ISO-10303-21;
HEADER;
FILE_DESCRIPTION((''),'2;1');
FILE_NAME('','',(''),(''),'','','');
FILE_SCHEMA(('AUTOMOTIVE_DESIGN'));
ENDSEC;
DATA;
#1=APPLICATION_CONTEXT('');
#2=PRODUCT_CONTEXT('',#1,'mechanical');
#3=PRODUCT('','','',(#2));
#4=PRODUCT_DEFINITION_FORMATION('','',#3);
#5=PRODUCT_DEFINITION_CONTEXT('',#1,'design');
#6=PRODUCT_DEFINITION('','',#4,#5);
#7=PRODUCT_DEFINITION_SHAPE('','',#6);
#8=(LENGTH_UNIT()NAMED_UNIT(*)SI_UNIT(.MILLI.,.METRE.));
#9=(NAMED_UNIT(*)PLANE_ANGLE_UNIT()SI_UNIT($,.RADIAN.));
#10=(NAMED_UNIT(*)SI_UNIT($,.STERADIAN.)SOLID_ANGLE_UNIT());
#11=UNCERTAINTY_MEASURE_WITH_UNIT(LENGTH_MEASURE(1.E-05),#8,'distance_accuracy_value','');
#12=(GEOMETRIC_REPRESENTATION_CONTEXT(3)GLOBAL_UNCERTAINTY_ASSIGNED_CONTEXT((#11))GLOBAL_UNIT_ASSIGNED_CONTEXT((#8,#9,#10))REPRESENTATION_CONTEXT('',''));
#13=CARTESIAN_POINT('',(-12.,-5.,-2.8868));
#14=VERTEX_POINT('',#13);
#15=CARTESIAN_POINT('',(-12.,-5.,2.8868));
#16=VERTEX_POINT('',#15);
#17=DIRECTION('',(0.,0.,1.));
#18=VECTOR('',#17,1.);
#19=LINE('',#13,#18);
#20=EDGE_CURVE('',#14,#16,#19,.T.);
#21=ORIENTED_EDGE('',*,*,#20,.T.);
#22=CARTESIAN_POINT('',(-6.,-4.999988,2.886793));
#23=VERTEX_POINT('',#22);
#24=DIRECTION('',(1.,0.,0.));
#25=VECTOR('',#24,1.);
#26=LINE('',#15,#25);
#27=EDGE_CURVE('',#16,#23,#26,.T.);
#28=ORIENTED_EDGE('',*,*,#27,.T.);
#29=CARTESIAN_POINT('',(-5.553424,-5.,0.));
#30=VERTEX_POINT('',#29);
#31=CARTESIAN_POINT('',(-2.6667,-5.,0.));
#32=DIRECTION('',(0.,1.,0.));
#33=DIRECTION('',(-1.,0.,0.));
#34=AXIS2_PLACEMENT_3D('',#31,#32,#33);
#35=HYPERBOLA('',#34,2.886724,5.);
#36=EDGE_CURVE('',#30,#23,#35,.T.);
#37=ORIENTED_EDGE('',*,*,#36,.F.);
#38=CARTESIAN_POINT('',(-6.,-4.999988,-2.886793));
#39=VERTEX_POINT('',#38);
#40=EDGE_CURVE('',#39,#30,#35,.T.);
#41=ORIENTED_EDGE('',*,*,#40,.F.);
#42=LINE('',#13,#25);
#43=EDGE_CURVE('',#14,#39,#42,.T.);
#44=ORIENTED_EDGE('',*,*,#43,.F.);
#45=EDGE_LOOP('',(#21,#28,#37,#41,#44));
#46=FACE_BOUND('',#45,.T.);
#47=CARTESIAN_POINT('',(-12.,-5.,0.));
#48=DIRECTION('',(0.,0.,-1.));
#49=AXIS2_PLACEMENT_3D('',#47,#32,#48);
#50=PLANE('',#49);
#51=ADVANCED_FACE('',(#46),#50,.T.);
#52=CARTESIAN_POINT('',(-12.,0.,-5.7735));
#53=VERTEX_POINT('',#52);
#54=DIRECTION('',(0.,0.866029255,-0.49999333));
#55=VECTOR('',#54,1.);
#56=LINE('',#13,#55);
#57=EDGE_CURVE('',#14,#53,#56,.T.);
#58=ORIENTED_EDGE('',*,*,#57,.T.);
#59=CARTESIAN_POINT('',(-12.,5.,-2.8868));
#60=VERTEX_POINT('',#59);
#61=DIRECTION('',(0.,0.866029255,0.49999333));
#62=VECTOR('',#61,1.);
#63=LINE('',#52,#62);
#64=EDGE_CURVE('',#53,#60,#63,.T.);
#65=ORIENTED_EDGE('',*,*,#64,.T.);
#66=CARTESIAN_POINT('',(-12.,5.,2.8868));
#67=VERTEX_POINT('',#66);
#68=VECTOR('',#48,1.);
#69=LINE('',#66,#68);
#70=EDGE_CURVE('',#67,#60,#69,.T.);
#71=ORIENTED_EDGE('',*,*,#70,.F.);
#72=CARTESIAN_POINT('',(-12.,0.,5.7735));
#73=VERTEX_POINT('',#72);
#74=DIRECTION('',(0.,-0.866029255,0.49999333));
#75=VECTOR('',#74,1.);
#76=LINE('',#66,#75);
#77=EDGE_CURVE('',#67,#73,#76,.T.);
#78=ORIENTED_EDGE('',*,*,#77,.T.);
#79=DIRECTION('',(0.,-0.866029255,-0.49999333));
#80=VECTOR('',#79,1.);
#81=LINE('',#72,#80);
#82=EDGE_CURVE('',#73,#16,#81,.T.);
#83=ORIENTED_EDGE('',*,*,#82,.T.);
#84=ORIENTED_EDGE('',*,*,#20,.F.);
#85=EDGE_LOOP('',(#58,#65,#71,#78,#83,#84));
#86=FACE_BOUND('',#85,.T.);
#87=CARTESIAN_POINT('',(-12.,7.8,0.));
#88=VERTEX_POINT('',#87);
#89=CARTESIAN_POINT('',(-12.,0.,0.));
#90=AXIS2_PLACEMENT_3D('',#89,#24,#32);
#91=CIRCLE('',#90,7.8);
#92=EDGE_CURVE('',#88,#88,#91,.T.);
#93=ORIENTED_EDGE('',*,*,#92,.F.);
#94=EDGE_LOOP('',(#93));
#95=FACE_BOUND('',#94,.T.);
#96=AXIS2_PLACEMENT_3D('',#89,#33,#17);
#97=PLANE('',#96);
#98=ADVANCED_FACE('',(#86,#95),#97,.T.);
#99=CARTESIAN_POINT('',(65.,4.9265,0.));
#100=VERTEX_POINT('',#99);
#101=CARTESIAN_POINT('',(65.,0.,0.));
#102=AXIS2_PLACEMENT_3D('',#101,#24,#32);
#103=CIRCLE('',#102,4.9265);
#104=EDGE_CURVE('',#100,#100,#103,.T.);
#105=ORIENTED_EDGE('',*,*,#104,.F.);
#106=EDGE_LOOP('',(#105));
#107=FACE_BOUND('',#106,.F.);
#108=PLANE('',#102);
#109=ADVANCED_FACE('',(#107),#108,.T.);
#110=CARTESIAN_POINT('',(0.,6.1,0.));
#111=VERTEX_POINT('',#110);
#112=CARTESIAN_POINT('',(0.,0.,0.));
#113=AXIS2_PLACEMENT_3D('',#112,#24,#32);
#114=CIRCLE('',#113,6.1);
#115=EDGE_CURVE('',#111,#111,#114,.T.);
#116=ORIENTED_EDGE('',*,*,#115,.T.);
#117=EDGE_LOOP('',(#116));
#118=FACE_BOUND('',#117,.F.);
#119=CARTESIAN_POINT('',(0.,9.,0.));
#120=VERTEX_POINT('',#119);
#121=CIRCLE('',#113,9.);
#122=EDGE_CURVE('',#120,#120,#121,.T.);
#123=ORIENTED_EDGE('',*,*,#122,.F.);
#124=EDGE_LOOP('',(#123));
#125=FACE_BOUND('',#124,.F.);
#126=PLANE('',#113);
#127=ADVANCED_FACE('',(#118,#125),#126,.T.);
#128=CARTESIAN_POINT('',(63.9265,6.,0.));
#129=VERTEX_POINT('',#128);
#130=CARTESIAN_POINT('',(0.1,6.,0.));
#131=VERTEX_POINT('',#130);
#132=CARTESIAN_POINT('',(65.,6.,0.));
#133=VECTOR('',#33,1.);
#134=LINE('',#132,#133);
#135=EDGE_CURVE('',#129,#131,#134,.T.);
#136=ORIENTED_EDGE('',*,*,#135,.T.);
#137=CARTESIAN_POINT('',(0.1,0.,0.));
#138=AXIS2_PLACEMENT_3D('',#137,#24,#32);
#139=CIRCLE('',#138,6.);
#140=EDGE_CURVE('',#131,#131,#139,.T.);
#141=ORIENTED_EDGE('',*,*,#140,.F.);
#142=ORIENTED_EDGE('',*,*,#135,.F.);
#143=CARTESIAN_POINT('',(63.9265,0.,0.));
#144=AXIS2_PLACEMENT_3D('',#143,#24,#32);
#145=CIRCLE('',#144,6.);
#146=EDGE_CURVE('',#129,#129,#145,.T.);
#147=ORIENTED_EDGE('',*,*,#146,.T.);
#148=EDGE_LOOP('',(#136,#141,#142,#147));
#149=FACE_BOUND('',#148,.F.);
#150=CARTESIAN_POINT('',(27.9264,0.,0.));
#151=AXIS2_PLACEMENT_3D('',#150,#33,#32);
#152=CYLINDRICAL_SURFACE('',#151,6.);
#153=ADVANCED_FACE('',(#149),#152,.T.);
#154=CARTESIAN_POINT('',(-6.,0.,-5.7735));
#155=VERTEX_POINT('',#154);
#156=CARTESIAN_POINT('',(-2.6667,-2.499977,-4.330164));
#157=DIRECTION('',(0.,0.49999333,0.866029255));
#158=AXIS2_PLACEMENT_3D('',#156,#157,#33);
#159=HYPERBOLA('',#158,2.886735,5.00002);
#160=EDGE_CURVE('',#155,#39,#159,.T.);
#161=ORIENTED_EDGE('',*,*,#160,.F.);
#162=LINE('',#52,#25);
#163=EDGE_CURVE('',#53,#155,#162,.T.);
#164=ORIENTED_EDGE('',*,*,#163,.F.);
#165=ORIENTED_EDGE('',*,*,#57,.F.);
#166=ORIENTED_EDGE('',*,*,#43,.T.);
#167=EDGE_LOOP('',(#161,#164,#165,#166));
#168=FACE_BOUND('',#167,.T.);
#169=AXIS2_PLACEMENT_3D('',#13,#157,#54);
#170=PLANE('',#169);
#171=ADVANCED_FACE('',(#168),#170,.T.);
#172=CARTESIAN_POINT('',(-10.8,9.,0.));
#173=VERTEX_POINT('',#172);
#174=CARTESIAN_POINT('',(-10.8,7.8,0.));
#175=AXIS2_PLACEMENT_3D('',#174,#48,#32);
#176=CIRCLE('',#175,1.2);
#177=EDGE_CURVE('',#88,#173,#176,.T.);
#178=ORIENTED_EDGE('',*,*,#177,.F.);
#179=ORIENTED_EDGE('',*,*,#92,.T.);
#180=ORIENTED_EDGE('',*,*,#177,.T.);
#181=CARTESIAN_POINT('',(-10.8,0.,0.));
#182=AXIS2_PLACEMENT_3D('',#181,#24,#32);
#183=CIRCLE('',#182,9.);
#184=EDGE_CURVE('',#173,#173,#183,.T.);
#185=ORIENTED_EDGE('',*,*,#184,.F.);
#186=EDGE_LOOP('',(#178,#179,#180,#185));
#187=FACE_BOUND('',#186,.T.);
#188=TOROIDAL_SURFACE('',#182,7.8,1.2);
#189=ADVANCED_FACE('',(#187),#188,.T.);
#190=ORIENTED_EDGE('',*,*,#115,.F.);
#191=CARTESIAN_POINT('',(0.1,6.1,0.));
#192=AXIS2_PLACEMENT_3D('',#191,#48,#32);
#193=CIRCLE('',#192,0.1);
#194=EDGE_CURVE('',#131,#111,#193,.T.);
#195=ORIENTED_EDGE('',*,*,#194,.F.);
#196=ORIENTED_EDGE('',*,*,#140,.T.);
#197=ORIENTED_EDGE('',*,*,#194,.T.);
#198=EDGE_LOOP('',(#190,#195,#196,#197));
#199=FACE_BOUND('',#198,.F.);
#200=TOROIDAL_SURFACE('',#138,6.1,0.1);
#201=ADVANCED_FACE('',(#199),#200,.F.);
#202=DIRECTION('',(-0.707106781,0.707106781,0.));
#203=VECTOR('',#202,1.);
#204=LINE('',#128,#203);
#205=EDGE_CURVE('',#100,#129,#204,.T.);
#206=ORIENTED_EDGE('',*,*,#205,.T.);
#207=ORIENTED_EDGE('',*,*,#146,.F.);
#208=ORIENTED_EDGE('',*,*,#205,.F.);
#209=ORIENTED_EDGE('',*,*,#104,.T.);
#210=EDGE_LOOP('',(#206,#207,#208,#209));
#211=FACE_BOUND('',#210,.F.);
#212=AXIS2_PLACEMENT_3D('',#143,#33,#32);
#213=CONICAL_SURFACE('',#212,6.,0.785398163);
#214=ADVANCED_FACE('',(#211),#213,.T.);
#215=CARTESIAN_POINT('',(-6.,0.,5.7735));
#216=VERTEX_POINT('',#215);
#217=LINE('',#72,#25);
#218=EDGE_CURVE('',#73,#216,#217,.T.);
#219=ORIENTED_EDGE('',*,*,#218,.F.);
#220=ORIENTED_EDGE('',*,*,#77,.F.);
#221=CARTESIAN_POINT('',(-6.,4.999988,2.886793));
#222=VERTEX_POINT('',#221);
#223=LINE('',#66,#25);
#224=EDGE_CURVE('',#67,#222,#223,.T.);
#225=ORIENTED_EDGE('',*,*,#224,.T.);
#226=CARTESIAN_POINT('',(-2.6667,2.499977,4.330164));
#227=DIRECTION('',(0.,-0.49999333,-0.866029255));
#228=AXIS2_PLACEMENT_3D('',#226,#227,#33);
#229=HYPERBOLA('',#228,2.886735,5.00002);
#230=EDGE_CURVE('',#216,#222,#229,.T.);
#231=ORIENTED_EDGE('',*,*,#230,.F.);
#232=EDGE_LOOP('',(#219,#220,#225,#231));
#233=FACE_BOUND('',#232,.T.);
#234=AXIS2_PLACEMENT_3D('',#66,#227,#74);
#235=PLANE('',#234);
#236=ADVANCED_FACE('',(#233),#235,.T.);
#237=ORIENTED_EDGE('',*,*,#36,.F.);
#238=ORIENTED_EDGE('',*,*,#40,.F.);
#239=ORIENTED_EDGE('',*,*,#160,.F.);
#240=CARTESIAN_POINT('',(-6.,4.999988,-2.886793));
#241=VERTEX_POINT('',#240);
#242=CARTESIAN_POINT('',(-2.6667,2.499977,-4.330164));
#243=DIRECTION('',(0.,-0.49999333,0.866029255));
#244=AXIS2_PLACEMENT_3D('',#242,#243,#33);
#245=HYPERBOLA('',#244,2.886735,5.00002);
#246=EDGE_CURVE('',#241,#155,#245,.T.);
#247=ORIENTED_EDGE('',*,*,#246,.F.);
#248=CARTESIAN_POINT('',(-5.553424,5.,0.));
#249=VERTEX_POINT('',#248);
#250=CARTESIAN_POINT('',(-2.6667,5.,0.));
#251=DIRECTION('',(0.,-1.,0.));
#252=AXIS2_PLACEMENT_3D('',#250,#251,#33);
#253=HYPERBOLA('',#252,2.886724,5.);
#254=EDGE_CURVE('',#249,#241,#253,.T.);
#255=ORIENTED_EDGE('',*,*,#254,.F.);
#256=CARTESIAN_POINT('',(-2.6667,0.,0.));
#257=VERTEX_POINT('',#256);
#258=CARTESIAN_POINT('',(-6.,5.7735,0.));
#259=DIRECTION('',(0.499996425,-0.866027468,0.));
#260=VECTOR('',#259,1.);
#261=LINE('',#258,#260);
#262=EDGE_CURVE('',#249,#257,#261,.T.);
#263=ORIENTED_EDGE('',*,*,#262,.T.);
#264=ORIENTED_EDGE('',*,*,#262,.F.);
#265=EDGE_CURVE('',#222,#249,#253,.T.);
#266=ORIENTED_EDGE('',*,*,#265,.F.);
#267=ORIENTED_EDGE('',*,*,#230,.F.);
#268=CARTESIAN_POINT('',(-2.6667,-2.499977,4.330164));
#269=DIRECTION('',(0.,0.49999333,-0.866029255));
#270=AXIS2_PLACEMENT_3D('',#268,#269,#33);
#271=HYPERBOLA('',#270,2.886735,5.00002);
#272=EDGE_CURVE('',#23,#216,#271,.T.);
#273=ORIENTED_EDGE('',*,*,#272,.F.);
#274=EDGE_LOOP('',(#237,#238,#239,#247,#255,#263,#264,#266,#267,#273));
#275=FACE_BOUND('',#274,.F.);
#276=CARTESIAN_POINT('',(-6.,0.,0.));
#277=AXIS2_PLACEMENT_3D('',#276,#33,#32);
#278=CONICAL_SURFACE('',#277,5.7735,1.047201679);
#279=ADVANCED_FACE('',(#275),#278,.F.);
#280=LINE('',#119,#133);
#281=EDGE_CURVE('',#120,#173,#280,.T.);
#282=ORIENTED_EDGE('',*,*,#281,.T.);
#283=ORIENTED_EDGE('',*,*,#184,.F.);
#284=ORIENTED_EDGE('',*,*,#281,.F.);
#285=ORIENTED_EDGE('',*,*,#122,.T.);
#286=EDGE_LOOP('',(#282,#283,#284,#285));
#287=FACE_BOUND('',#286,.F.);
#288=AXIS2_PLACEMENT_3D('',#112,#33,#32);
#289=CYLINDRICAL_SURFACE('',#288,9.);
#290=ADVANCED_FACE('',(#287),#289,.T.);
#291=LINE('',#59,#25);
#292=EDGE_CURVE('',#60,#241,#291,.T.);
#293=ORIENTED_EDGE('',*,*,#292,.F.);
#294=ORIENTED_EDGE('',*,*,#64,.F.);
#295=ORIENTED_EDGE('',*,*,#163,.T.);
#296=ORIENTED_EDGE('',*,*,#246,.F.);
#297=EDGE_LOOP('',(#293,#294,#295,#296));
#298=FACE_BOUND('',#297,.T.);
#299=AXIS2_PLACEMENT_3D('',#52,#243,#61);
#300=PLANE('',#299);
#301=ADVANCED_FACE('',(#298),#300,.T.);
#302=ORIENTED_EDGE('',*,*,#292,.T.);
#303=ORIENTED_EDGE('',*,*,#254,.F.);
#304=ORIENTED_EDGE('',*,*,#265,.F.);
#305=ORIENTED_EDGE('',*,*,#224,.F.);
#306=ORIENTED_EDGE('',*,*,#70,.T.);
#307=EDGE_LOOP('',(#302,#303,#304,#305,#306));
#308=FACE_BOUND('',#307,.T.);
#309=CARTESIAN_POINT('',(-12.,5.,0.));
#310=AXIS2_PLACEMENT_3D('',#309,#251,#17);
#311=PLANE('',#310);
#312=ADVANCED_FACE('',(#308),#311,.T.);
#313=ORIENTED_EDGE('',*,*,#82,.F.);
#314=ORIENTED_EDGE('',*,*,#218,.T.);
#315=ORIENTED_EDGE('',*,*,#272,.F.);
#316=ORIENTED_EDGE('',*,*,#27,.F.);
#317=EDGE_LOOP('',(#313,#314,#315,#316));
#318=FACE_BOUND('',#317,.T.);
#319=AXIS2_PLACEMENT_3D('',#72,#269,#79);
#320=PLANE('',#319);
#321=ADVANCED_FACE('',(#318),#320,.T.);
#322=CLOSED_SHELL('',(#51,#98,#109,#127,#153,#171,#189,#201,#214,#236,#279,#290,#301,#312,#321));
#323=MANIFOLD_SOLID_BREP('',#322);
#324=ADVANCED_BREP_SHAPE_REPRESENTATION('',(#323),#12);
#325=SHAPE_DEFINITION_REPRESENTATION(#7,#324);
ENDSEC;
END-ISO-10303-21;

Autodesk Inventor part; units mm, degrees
ref_plane "YZ Plane" through (0, 0, 0) normal (1, 0, 0) x (0, 1, 0)
ref_plane "XZ Plane" through (0, 0, 0) normal (0, 1, 0) x (-1, 0, 0)
sketch "Rascunho1" plane through (0, 0, 0) normal (0, 0, 1) x (1, 0, 0)
  line L0 (-2.6667, 0) -> (65, 0)
  line L1 (65, 0) -> (65, 6)
  line L2 (65, 6) -> (29, 6)
  line L3 (29, 6) -> (27.9264, 6)
  line L4 (27.9264, 6) -> (0, 6)
  line L5 (0, 6) -> (0, 9)
  line L6 (0, 9) -> (-12, 9)
  line L7 (-12, 9) -> (-12, 5.7735)
  line L8 (-12, 5.7735) -> (-6, 5.7735)
  line L9 (-6, 5.7735) -> (-2.6667, 0)
  line L10 (-34.4, 0) -> (122.4, 0) projected
  line L11 (0, -1.8) -> (0, 10.8) projected
  line L12 (29, 6) -> (0, 6) construction
  dimension "d1" = 36
  dimension "d2" = 1.0736
  dimension "d3" = 12
  dimension "d4" = 6
  dimension "d5" = 60
  dimension "d6" = 12
  dimension "d7" = 12
  dimension "d8" = 11.547
  dimension "d9" = 18
  dimension "d26" = 65
revolve "Corpo" add sketch "Rascunho1" angle 360 about axis through (-2.6667, 0, 0) along (1, 0, 0)
sketch "Rascunho2" plane through (-12, 0, 0) normal (-1, 0, 0) x (0, 0, 1)
  circle A0 centre (0, 0) radius 5.7735 projected
  line L0 (0, -12.6) -> (0, 12.6) projected
  line L1 (-12.6, 0) -> (12.6, 0) projected
  line L2 (5.7735, 0) -> (2.8868, -5)
  line L3 (2.8868, -5) -> (-2.8868, -5)
  line L4 (-2.8868, -5) -> (-5.7735, 0)
  line L5 (-5.7735, 0) -> (-2.8868, 5)
  line L6 (-2.8868, 5) -> (2.8868, 5)
  line L7 (2.8868, 5) -> (5.7735, 0)
extrude "Fenda" add sketch "Rascunho2" against normal up to next contours L7 A0 | A0 L2 | L6 L0 A0 | A0 L0 L3 | L0 L6 A0 | A0 L3 L0 | L4 A0 | A0 L5
fillet "Raio de arredondamento1" radius 1.2 1 edges at (-12, -9, 0)
thread "Rosca" size "M12x1.75" class "6g" standard "ANSI Metric M Profile" length 36
chamfer "Chanfrar1" distance 1.0735 distance2 1.0735 1 edges at (65, -6, 0) measured on face at (65, -1.5551, 1.8049)
ref_plane "Work Plane1" through (29, 0, 0) normal (0, -1, 0) x (1, 0, 0)
fillet "Fillet2" radius 0.1 1 edges at (0, -6, 0)
equation "\"d1\" = GEL"
equation "\"d3\" = KOH"
equation "\"d4\" = INTI"
equation "\"d6\" = GD"
equation "\"d7\" = BDM"
equation "\"d8\" = 1.1547 * SW"
equation "\"d9\" = KOD"
equation "\"d26\" = NLG"
equation "\"d17\" = RR"
equation "\"d13\" = GEL"
equation "\"d15\" = -0.5 * SPD + 0.5 * GD"
equation "\"d16\" = GUL"
equation "\"d30\" = R"
equation "\"GD\" = NND"
equation "\"NLG\" = 65"
equation "\"GEL\" = 36"
equation "\"KOD\" = 18"
equation "\"KOH\" = 12"
equation "\"INTI\" = 6"
equation "\"GAL\" = 0.61345 * PTC"
equation "\"GUL\" = 0.61345 * PTC"
equation "\"BDM\" = NND"
equation "\"RR\" = 1.2"
equation "\"SPD\" = NND - 1.2269 * PTC"
equation "\"R\" = 0.1"
equation "\"TOA\" = 30deg"
equation "\"GD1\" = THREADDIA - 1.2269 * PTC"
equation "\"THREADDIA\" = 12"
equation "\"FAWI\" = 45deg"
equation "\"ANG\" = 120deg"
equation "\"PTC\" = 1.75"
equation "\"NND\" = 12"
equation "\"E0\" = 1.155 * SW"
equation "\"SW\" = 10"
properties part number "DIN 912 - M12x65" material "Aço Inox AISI 304"
